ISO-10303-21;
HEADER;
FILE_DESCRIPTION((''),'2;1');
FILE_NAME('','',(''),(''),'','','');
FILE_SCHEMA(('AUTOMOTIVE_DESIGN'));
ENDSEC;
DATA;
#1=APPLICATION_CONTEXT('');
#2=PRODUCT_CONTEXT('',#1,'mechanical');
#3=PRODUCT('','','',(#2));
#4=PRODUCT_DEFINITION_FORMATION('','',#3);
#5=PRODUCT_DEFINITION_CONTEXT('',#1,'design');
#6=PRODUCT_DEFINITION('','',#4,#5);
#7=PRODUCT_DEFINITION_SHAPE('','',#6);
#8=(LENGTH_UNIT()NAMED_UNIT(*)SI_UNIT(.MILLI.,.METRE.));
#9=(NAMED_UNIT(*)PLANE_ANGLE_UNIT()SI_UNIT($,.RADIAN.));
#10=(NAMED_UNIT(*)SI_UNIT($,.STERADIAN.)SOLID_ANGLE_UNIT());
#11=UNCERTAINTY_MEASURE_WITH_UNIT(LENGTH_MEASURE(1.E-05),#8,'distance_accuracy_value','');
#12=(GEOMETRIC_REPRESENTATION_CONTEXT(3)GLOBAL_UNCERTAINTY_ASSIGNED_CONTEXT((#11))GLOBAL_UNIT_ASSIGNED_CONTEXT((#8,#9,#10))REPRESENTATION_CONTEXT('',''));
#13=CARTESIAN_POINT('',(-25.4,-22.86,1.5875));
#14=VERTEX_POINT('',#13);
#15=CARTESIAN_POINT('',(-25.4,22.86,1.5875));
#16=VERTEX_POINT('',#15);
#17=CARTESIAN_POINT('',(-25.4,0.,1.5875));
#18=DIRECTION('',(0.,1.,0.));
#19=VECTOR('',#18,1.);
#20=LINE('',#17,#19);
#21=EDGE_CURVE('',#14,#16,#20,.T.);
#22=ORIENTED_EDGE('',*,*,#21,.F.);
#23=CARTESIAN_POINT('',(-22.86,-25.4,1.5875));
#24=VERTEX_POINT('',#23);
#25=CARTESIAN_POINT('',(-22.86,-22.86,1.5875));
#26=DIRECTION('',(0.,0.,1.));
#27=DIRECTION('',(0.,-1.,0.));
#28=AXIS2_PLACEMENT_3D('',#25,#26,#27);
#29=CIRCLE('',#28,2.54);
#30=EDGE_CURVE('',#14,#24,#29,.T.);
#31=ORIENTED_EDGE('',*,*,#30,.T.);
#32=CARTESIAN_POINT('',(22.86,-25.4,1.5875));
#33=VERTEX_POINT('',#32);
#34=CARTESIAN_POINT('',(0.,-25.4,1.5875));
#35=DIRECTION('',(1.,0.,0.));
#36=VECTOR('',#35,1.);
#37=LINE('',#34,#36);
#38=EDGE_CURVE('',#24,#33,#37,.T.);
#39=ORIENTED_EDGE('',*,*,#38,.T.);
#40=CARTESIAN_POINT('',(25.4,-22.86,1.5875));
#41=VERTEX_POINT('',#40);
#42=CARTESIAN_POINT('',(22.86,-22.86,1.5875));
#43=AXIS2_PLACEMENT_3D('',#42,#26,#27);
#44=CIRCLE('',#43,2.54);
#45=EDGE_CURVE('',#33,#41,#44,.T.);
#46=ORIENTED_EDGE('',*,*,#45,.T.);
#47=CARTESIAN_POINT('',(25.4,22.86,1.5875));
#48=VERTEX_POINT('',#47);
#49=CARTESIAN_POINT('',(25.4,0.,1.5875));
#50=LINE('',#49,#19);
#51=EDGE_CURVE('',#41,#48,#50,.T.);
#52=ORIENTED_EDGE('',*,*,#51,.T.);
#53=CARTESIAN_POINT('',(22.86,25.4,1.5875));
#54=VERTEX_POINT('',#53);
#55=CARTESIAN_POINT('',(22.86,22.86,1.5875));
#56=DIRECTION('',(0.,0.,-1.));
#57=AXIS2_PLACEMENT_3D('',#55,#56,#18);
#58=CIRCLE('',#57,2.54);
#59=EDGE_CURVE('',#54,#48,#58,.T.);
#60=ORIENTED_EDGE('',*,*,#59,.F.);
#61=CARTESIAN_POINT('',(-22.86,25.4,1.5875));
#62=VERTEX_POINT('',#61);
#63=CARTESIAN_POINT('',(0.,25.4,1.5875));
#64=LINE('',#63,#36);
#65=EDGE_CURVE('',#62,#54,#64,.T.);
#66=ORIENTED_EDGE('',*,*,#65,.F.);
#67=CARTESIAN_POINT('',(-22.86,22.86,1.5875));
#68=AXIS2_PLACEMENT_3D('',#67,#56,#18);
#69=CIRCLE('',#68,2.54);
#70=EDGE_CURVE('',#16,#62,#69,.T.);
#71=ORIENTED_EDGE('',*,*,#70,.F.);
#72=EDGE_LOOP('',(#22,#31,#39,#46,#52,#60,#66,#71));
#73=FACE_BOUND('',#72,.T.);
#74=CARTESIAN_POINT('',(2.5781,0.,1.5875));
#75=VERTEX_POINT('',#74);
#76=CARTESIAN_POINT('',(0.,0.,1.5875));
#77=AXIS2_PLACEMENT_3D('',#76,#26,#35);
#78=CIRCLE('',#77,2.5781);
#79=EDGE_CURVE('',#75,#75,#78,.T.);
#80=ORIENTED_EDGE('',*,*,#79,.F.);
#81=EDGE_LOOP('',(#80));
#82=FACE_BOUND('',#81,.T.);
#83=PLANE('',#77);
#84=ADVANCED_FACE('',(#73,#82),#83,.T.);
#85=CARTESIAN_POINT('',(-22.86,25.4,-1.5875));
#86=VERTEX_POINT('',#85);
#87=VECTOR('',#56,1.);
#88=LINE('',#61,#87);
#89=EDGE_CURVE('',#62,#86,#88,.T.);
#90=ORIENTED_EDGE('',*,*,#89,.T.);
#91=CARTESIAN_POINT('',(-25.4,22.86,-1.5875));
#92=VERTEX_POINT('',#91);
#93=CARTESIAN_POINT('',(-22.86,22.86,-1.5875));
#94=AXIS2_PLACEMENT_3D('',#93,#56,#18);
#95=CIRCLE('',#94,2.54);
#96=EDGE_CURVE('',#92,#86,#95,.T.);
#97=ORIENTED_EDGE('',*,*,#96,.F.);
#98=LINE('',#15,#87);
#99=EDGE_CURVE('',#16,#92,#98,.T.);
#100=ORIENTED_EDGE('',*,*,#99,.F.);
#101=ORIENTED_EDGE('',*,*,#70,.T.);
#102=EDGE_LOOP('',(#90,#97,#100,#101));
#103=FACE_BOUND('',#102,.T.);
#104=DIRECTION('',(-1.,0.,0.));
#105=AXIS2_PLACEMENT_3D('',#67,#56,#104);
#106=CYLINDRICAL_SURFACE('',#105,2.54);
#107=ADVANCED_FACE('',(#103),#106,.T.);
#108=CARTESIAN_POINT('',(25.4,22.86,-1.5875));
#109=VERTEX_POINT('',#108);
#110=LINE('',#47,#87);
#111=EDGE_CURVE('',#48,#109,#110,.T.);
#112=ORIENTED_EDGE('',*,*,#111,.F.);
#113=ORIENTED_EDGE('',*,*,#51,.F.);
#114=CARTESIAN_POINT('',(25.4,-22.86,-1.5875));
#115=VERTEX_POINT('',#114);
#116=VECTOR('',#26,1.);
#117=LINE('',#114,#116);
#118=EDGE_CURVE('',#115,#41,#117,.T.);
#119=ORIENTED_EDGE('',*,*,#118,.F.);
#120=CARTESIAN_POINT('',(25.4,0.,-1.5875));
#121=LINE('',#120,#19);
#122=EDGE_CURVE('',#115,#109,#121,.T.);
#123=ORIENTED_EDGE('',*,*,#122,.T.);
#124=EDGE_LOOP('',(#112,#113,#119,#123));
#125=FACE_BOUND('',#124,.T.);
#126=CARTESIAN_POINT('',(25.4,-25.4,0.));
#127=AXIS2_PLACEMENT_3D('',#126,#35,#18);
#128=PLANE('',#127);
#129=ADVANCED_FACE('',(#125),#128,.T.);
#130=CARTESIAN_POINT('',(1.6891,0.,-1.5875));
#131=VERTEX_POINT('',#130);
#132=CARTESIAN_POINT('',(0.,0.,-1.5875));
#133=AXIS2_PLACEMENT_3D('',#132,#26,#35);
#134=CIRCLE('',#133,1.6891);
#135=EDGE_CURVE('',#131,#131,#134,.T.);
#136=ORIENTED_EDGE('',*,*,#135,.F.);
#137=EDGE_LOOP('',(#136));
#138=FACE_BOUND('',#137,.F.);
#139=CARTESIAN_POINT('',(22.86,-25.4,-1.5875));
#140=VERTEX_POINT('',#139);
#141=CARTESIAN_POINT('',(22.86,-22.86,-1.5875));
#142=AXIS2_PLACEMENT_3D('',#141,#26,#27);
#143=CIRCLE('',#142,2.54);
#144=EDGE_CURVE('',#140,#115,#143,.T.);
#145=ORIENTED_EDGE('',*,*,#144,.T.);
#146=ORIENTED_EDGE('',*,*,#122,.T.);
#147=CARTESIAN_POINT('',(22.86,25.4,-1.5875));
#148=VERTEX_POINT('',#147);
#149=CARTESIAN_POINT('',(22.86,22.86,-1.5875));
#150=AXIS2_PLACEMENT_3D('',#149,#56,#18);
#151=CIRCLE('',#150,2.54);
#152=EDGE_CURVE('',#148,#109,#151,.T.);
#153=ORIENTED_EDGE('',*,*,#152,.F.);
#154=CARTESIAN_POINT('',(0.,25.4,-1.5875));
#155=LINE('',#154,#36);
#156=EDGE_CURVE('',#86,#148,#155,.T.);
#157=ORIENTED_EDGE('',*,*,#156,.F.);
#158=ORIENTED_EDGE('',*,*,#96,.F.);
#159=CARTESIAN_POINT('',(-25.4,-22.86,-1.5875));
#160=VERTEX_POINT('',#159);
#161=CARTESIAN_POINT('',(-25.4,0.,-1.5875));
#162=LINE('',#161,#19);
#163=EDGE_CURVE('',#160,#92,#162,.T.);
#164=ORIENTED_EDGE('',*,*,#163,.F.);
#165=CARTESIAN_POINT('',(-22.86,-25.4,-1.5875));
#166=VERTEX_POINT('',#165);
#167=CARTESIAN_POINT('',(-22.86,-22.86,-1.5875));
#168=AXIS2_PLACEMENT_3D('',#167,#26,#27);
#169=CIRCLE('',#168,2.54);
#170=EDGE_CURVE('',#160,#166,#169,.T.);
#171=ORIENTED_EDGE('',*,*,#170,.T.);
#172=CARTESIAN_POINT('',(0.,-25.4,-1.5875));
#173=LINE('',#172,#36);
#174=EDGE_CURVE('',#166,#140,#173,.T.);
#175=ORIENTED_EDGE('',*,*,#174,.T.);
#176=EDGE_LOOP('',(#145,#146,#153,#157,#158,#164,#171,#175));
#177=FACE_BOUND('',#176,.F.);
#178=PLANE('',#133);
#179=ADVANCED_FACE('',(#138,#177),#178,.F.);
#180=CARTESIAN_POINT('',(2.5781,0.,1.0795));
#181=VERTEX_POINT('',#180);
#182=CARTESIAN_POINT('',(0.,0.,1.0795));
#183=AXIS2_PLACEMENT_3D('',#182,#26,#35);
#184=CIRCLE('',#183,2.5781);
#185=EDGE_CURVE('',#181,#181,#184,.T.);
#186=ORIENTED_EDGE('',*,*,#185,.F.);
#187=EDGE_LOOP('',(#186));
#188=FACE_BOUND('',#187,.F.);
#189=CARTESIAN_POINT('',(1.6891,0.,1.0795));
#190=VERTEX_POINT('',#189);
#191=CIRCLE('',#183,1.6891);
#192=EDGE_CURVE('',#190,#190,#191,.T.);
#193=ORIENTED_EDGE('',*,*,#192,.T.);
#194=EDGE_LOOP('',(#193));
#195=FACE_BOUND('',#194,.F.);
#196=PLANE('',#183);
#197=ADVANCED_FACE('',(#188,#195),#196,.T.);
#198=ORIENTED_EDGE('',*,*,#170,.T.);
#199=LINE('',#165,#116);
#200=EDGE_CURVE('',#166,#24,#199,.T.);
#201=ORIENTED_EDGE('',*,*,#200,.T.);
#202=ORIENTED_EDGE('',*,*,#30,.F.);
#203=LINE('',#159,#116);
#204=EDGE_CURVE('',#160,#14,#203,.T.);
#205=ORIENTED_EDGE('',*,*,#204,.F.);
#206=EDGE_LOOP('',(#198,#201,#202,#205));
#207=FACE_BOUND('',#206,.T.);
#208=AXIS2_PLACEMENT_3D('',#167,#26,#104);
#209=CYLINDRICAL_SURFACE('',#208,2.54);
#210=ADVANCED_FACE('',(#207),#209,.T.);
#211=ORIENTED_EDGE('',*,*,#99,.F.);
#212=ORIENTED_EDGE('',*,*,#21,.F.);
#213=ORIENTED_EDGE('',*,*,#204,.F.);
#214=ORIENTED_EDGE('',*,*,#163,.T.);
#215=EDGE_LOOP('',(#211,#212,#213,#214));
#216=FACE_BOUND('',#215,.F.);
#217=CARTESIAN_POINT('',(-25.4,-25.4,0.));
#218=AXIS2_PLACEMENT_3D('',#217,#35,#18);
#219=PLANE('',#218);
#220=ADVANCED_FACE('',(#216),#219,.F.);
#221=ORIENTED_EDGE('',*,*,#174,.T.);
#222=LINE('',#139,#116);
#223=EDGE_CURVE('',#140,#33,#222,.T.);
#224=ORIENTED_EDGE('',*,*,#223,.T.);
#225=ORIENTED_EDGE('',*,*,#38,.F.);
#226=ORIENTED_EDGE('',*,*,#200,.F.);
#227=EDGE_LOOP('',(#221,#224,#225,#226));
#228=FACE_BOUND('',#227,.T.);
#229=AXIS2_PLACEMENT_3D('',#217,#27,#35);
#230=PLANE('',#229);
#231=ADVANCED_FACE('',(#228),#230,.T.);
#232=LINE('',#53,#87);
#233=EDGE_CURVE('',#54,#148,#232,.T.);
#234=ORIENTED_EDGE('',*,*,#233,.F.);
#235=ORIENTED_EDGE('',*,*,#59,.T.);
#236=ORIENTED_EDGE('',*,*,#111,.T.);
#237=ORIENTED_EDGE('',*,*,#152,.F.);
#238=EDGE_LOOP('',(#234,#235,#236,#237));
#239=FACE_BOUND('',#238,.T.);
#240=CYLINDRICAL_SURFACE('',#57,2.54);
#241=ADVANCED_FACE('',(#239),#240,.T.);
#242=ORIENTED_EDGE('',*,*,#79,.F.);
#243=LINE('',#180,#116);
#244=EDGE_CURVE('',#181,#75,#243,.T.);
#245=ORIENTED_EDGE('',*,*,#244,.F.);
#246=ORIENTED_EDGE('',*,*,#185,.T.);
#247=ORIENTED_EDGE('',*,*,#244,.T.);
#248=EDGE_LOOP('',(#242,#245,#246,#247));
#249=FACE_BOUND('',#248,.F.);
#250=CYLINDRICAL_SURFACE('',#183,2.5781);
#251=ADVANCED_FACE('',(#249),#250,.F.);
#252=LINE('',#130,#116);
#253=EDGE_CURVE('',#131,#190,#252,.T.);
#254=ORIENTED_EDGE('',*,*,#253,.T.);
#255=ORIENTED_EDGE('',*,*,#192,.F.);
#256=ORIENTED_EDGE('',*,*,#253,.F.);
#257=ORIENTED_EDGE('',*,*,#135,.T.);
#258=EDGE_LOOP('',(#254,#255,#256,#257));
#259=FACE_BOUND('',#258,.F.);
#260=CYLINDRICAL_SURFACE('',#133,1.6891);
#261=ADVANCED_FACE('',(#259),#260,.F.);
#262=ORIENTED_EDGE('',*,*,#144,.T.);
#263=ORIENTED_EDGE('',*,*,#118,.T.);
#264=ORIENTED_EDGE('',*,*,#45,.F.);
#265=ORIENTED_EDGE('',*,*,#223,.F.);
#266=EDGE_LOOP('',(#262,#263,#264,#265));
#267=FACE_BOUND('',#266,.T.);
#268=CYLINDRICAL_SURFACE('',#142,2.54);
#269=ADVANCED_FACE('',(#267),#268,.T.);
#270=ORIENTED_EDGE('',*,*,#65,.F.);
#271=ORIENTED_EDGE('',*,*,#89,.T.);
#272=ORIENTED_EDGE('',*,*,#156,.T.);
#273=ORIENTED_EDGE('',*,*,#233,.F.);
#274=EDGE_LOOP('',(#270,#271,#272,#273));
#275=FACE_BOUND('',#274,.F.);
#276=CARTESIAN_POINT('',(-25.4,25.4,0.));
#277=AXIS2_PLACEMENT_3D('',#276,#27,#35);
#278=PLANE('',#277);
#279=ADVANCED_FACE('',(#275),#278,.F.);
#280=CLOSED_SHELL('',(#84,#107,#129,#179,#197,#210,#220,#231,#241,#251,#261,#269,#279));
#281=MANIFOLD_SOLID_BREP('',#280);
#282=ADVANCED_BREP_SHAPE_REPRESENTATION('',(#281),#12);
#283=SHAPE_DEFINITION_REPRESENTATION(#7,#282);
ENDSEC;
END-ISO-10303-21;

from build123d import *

# Parameters (mm, degrees)
F0_W     = 50.8
F0_H     = 50.8
F1_DEPTH = 1.5875
F4_R     = 2.54


with BuildPart() as f1:
    # F0 (on Top) → F1 (new body, symmetric)
    with BuildSketch(Plane.XY):
        Rectangle(F0_W, F0_H)
    extrude(amount=F1_DEPTH, both=True)

    # F2 (on Front) → F3 (revolve, cut)
    with BuildSketch(Plane.XZ):
        Polygon((2.5781, 1.5875), (0, 1.5875), (0, -1.5875), (1.6891, -1.5875), (1.6891, 1.0795), (2.5781, 1.0795), align=None)
    revolve(axis=Axis((0, 0, 3.175), (0, 0, 1)), mode=Mode.SUBTRACT)

    # F4
    f4_edges = [f1.edges().sort_by_distance(p)[0] for p in [
        (-25.4, -25.4, 0),
        (25.4, -25.4, 0),
        (25.4, 25.4, 0),
        (-25.4, 25.4, 0),
    ]]
    fillet(f4_edges, radius=F4_R)


solid = f1.part
